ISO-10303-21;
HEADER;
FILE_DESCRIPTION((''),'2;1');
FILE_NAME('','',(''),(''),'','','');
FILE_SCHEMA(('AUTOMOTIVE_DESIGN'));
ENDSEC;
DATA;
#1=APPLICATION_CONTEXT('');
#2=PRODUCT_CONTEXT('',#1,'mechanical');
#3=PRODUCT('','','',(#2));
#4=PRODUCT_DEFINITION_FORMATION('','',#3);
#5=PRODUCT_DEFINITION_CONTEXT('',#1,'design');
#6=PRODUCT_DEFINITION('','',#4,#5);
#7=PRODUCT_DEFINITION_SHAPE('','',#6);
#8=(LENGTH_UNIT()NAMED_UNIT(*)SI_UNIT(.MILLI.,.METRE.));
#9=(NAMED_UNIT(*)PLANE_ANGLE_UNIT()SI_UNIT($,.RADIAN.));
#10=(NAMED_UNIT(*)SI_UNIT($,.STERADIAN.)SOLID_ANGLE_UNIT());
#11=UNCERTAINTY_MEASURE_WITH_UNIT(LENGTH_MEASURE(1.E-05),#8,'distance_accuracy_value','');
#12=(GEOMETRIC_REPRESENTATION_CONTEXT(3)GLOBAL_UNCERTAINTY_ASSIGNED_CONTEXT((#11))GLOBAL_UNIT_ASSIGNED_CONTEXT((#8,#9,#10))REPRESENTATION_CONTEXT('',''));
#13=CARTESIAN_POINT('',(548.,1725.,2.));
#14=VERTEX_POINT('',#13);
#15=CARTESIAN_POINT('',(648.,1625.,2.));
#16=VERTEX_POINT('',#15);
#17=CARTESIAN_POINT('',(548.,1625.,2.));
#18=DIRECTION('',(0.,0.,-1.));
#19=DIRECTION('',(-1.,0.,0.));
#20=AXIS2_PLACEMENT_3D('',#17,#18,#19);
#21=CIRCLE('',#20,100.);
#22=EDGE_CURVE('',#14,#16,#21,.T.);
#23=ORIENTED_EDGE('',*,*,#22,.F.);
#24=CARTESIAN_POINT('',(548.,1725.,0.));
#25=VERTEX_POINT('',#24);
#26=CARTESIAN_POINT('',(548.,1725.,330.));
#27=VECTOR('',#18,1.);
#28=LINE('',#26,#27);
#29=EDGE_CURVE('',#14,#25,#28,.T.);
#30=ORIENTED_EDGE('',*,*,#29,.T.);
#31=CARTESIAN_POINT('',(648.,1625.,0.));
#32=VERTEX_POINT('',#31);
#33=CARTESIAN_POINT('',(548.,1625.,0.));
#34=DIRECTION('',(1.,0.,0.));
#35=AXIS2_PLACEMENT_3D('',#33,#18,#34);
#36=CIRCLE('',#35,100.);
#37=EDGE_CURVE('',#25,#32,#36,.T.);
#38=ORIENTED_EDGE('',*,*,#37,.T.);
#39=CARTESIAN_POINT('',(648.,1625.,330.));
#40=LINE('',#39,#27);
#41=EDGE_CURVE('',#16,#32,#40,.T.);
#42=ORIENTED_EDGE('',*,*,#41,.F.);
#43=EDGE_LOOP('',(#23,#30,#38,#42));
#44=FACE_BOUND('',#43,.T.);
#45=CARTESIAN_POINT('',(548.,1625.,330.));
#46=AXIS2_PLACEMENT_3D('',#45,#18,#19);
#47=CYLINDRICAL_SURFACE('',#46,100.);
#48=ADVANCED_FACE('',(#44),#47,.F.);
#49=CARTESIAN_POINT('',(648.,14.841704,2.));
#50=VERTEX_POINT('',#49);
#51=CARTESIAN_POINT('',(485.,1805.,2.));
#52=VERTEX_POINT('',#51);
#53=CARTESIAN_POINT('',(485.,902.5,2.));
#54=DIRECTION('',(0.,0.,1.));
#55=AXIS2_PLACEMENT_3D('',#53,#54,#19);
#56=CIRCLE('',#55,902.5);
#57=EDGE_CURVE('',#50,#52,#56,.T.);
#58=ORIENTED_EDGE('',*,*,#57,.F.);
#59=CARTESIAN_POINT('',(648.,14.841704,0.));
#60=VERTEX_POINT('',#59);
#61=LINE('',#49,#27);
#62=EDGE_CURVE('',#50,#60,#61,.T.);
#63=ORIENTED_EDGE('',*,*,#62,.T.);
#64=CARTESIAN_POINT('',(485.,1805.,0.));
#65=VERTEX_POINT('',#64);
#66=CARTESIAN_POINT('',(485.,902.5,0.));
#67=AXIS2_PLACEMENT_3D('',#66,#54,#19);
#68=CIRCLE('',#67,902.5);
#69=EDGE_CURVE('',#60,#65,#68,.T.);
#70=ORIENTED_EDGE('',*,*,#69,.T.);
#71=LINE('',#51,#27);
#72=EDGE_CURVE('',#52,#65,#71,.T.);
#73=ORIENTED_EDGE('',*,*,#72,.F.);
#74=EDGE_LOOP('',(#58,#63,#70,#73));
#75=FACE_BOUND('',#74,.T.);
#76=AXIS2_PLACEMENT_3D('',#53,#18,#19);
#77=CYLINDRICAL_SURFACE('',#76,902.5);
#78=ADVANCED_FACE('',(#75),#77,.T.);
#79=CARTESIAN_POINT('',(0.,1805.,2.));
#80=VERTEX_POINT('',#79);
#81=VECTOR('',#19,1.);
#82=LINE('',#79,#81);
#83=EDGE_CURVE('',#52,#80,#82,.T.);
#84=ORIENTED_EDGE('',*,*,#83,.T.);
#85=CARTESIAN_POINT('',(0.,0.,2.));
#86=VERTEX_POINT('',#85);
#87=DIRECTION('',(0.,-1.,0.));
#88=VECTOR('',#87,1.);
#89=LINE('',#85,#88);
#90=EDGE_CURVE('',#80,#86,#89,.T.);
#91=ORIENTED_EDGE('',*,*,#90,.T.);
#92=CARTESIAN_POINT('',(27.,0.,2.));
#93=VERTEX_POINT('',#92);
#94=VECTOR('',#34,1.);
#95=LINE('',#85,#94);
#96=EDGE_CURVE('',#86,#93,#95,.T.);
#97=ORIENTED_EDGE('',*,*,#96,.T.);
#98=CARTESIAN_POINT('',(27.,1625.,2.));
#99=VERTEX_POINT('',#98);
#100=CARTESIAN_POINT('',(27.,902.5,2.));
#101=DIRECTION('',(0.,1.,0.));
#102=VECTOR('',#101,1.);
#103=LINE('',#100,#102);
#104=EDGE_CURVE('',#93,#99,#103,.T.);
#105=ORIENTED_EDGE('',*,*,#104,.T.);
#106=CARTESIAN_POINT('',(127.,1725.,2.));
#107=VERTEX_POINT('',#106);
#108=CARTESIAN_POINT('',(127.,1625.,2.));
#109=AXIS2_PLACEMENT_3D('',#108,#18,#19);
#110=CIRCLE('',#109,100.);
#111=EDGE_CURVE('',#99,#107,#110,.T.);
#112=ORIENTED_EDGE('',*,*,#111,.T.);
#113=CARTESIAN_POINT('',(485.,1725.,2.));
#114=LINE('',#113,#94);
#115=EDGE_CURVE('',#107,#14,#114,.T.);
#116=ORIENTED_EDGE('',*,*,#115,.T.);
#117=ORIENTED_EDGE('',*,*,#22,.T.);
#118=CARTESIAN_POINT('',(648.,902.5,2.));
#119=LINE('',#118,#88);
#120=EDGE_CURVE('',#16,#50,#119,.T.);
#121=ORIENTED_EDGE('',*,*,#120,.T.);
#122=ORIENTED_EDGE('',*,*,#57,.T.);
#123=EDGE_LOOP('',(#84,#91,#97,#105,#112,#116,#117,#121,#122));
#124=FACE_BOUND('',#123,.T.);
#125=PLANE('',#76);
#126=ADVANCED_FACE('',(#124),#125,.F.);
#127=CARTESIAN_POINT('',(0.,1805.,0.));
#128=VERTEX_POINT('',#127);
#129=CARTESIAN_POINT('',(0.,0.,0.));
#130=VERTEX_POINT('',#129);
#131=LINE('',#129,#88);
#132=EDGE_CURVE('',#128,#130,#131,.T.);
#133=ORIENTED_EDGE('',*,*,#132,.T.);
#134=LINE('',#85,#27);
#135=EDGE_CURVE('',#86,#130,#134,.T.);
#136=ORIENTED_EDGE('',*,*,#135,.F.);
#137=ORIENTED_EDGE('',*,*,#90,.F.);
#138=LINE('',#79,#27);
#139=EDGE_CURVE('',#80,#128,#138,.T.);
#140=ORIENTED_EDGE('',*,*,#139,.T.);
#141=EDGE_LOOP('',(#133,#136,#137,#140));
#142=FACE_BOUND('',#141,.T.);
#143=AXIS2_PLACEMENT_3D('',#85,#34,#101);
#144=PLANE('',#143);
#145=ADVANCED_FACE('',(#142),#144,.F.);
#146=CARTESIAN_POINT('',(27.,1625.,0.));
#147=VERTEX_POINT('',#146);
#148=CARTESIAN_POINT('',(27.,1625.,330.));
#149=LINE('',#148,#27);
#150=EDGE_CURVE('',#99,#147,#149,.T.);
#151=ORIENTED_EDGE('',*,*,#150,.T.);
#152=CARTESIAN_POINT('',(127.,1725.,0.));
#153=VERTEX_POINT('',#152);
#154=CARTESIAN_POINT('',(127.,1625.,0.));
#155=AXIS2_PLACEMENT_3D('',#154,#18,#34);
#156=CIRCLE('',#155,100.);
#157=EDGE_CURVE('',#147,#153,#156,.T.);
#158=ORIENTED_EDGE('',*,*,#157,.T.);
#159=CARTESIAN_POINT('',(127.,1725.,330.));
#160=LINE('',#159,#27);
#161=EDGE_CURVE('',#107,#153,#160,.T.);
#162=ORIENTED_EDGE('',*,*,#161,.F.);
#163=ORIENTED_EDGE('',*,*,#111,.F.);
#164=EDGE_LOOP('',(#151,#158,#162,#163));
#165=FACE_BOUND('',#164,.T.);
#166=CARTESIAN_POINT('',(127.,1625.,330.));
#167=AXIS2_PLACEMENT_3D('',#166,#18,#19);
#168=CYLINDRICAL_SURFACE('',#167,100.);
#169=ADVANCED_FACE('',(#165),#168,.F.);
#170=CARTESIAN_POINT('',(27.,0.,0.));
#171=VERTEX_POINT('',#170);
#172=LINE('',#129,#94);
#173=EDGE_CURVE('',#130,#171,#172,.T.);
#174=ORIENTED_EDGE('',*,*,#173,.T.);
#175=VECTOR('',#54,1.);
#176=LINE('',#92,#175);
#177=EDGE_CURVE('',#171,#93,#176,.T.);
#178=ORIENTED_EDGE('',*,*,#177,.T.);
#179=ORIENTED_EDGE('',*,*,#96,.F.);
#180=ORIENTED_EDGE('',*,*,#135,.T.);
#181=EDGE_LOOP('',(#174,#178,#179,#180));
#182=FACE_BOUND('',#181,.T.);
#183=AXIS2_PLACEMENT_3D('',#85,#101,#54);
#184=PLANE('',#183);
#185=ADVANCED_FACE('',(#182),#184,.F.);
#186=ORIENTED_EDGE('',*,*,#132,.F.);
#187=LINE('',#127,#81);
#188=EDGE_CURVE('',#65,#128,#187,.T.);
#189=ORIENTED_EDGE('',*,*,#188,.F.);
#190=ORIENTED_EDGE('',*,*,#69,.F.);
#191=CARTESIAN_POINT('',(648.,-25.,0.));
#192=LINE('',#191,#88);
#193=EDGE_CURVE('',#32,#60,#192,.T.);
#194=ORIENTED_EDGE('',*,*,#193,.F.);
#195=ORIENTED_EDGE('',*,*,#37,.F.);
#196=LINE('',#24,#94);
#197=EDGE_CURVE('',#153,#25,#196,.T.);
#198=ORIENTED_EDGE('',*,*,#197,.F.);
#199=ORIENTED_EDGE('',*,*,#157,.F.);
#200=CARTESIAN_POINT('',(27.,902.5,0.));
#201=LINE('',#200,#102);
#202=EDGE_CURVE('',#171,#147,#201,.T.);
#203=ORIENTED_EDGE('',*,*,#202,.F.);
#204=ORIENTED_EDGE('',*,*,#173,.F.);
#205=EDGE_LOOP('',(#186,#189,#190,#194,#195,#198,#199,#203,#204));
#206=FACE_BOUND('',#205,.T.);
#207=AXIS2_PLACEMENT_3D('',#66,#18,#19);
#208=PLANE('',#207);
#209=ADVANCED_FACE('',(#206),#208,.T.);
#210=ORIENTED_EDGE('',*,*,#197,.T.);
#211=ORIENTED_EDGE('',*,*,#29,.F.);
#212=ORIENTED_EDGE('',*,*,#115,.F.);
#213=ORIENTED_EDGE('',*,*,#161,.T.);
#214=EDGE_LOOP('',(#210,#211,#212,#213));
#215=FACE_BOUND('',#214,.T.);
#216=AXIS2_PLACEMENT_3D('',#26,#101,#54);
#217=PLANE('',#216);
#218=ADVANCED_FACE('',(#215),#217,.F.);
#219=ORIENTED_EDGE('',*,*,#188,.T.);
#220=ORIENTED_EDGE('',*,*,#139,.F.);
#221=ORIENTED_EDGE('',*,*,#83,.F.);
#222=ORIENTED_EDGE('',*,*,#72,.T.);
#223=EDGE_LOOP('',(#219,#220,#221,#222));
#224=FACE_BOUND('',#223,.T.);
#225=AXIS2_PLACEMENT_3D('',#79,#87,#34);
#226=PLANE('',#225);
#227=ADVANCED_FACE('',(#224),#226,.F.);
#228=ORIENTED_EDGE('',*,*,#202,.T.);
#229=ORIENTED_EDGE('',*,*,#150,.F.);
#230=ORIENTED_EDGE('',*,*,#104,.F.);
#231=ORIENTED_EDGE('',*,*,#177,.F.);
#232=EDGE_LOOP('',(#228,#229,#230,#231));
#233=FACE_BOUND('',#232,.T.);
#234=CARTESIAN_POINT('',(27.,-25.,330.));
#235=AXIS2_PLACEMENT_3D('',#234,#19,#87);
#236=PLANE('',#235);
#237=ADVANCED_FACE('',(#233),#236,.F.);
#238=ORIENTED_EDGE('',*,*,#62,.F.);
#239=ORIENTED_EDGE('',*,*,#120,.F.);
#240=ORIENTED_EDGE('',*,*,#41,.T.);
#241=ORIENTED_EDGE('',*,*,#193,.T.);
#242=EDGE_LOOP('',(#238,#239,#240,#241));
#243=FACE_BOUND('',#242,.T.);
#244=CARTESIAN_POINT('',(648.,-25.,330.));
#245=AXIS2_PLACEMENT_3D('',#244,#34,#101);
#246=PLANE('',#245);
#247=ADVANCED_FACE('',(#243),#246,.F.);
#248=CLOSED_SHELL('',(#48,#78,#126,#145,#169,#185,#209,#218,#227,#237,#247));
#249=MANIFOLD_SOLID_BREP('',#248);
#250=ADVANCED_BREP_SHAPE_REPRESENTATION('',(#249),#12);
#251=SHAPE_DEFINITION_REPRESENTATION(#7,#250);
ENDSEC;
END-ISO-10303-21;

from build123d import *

# Parameters (mm, degrees)
BOSS_EXTRUDE1_DEPTH = 2
CUT_EXTRUDE3_DEPTH  = 330


with BuildPart() as part:
    # Sketch1 → Boss-Extrude1 (new body)
    with BuildSketch(Plane.XY):
        with BuildLine():
            Line((0, 0), (485, 0))
            ThreePointArc((485, 0), (1387.5, 902.5), (485, 1805))
            Line((485, 1805), (0, 1805))
            Line((0, 1805), (0, 0))
        make_face()
    extrude(amount=BOSS_EXTRUDE1_DEPTH)

    # Sketch4 → Cut-Extrude3 (cut)
    with BuildSketch(Plane(origin=(-1339.112118138, -944.457487155, 0), x_dir=(-1, 0, 0), z_dir=(0, 0, -1))):
        with BuildLine():
            Line((-1887.112118138, 819.457487155), (-1466.112118138, 819.457487155))
            ThreePointArc((-1466.112118138, 819.457487155), (-1395.40144002, 848.746809036), (-1366.112118138, 919.457487155))
            Line((-1366.112118138, 919.457487155), (-1366.112118138, 2569.457487155))
            ThreePointArc((-1366.112118138, 2569.457487155), (-1395.40144002, 2640.168165273), (-1466.112118138, 2669.457487155))
            Line((-1466.112118138, 2669.457487155), (-1887.112118138, 2669.457487155))
            ThreePointArc((-1887.112118138, 2669.457487155), (-1957.822796257, 2640.168165273), (-1987.112118138, 2569.457487155))
            Line((-1987.112118138, 2569.457487155), (-1987.112118138, 919.457487155))
            ThreePointArc((-1987.112118138, 919.457487155), (-1957.822796257, 848.746809036), (-1887.112118138, 819.457487155))
        make_face()
    extrude(amount=-CUT_EXTRUDE3_DEPTH, mode=Mode.SUBTRACT)


solid = part.part
